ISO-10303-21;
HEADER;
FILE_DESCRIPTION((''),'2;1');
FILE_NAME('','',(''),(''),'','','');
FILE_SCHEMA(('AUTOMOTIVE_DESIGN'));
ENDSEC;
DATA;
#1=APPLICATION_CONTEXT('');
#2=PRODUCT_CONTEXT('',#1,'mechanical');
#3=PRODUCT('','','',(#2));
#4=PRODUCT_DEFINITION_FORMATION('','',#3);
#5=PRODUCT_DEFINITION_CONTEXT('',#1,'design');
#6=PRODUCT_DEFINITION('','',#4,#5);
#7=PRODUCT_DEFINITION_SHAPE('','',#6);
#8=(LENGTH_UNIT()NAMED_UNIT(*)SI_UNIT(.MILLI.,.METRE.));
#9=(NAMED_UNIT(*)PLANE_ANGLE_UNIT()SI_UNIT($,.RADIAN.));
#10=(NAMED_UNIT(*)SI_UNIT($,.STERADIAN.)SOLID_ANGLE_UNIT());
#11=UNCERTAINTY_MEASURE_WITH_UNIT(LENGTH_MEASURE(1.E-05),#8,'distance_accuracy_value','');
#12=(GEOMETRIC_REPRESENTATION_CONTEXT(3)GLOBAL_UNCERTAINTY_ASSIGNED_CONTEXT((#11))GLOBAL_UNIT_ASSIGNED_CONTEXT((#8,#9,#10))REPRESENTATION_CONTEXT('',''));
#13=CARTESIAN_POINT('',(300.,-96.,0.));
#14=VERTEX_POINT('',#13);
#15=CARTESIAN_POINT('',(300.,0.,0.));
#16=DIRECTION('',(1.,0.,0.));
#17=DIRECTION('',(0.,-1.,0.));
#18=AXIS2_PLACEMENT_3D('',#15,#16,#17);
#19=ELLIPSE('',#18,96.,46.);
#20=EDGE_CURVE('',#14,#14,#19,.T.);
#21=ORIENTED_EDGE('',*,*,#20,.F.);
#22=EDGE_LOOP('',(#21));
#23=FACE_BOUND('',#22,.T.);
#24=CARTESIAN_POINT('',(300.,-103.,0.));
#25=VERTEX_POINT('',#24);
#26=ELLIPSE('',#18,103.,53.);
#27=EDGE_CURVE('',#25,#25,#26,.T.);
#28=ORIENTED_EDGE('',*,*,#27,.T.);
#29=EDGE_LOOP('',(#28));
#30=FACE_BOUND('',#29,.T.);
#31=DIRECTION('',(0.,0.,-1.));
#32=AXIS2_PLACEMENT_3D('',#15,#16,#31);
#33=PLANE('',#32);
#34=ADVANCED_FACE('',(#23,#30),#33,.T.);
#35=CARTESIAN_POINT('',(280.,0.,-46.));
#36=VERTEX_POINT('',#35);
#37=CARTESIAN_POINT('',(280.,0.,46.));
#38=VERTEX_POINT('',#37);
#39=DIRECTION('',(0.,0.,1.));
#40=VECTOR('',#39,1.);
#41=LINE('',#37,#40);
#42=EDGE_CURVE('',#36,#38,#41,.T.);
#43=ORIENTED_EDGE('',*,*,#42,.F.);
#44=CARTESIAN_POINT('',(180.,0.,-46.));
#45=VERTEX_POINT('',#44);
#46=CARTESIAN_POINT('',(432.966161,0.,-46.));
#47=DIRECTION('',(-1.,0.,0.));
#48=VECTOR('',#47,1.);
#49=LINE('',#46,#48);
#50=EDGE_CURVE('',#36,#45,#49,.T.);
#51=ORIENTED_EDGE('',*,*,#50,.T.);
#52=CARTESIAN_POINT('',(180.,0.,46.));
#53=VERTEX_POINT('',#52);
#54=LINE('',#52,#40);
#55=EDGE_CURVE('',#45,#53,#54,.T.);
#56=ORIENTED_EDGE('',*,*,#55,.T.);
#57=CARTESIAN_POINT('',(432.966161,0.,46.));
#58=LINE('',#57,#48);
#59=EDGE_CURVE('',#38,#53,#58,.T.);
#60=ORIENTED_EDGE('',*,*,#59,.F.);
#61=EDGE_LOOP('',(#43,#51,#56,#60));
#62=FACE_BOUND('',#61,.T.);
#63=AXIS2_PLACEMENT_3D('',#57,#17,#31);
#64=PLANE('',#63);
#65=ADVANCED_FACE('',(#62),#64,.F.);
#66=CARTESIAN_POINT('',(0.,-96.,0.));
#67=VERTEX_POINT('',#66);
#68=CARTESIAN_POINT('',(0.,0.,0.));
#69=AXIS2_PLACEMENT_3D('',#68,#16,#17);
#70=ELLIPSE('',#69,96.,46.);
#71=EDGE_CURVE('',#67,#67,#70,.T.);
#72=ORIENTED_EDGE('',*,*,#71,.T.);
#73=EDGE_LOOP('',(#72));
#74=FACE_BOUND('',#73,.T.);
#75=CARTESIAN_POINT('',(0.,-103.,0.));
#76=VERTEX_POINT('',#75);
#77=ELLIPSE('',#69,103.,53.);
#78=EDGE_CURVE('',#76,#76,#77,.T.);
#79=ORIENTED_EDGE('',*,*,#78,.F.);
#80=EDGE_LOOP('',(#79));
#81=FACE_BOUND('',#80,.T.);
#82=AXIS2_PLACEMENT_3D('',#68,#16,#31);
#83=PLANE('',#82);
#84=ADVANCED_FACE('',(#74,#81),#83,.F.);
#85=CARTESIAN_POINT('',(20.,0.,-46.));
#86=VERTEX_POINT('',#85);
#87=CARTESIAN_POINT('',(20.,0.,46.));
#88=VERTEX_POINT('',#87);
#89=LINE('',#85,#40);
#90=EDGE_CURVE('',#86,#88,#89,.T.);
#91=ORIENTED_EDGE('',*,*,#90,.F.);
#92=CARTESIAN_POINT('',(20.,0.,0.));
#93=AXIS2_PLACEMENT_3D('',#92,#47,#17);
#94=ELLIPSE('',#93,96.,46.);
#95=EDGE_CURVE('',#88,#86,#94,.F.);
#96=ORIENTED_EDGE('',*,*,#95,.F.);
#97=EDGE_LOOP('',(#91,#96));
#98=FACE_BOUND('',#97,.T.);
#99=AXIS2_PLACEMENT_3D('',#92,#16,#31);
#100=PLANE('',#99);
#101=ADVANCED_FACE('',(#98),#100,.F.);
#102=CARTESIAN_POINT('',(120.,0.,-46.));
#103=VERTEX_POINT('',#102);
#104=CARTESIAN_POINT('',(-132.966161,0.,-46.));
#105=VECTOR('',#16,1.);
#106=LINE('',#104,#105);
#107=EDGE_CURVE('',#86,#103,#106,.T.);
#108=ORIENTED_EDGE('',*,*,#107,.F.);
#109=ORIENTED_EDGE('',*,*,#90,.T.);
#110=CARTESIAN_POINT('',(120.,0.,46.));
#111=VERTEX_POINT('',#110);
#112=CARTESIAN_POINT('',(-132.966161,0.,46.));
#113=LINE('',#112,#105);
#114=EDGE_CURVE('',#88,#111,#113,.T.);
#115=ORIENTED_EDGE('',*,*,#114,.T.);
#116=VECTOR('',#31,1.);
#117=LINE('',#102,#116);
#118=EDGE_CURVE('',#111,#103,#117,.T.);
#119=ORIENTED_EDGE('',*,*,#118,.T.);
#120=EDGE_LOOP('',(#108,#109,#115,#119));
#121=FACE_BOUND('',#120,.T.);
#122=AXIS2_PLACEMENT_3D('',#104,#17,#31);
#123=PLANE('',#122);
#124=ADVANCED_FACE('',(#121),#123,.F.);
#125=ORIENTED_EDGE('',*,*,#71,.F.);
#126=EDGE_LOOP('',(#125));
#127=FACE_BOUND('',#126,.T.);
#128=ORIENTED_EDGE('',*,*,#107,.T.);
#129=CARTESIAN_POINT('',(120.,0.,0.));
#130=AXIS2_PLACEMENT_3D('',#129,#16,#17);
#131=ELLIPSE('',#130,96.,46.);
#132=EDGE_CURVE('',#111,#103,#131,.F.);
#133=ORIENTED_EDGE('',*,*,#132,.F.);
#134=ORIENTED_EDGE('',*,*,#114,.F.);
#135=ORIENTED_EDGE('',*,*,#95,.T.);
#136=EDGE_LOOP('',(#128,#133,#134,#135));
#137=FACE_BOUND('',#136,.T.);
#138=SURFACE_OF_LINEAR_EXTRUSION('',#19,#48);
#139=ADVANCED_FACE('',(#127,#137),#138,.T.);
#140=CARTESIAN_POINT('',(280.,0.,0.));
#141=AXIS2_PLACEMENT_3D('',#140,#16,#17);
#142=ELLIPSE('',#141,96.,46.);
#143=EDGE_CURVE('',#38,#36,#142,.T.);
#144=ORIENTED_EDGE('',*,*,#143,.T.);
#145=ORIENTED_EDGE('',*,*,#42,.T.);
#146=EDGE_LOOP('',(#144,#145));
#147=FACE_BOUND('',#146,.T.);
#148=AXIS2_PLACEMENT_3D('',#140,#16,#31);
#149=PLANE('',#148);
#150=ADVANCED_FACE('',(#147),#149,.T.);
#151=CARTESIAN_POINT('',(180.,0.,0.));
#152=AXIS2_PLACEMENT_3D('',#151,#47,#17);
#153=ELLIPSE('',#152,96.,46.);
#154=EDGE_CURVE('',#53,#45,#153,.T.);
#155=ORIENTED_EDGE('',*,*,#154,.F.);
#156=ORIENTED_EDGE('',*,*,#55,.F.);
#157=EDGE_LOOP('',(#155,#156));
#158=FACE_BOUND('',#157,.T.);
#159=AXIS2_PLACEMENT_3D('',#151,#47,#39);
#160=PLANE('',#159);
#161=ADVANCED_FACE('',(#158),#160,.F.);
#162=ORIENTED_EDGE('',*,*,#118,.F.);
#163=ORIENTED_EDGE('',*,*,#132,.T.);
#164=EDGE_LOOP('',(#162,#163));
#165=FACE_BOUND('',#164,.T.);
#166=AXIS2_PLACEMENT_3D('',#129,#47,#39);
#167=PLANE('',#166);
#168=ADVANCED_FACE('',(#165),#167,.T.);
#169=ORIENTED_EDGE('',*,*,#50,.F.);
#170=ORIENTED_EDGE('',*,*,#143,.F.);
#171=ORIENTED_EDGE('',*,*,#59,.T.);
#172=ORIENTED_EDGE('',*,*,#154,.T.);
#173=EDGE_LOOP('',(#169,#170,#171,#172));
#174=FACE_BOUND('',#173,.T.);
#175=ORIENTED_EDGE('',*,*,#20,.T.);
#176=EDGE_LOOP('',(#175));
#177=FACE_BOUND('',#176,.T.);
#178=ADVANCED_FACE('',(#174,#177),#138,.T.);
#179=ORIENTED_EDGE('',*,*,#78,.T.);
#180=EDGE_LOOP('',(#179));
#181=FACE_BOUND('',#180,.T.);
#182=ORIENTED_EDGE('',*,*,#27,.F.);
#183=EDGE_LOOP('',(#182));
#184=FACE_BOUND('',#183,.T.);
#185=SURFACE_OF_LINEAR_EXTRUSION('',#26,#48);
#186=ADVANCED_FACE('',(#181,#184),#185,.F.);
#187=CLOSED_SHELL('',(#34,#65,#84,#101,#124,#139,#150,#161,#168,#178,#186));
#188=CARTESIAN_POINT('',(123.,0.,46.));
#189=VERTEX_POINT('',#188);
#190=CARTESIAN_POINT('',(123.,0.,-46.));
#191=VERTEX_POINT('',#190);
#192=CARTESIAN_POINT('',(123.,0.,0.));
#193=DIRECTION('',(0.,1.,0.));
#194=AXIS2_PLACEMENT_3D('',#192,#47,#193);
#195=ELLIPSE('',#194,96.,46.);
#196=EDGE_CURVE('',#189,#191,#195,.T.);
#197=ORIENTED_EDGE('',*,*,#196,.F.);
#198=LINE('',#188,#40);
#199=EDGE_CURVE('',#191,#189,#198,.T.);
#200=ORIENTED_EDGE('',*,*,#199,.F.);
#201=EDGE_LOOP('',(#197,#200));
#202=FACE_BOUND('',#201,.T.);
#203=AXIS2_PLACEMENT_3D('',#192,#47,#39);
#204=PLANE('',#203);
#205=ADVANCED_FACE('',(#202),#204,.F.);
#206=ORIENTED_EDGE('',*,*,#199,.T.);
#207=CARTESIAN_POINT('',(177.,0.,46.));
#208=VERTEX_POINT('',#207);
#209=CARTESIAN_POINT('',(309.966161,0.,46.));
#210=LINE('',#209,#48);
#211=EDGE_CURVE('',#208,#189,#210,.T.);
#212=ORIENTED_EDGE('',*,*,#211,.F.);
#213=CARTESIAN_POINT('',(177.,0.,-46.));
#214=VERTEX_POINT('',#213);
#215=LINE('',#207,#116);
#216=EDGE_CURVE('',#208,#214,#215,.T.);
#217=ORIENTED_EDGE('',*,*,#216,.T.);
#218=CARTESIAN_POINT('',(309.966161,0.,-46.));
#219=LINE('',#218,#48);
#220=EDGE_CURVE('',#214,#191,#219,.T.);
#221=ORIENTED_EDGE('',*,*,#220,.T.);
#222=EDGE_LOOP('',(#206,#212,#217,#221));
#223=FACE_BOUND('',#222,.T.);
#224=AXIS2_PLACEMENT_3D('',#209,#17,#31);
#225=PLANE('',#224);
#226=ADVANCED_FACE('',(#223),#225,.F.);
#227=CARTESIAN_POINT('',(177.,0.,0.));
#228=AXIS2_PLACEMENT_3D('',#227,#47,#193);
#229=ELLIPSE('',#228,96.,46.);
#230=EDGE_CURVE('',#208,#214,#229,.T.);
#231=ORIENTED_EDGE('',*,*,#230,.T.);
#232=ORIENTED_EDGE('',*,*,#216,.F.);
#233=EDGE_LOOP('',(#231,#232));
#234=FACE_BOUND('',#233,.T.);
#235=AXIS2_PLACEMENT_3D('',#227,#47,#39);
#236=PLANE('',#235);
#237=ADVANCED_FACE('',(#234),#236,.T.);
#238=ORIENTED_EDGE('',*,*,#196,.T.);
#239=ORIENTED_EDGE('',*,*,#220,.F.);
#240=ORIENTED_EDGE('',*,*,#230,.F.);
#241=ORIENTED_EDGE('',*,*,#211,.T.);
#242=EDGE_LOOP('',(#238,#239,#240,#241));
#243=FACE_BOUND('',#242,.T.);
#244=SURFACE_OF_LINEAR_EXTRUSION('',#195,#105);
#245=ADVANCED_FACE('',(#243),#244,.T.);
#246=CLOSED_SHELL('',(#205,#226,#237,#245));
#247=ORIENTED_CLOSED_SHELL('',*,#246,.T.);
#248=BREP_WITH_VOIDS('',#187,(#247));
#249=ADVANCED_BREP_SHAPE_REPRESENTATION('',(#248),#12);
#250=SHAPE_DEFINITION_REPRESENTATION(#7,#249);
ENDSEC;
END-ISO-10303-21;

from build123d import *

# Parameters (mm, degrees)
SKETCH_1_RX              = 103
SKETCH_1_RY              = 53
SKETCH_1_RX_2            = 96
SKETCH_1_RY_2            = 46
EXTRUDE_1_DEPTH          = 300
SKETCH_2_RX              = 96
SKETCH_2_RY              = 46
EXTRUDE_2_DEPTH          = 30
EXTRUDE_2_DEPTH_BACK     = 30
SKETCH_3_RX              = 96
SKETCH_3_RY              = 46
CUT_EXTRUDE_1_DEPTH      = 27
CUT_EXTRUDE_1_DEPTH_BACK = 27
EXTRUDE_3_DEPTH          = 100
EXTRUDE_4_DEPTH          = 100
EXTRUDE_5_REACH          = 179


with BuildPart() as part:
    # Эскиз1 → Бобышка-Вытянуть1 (new body)
    with BuildSketch(Plane(origin=(0, 0, 0), x_dir=(0, 0, -1), z_dir=(1, 0, 0))):
        with Locations(Location((0, 0), (0, 0, -90))):
            Ellipse(SKETCH_1_RX, SKETCH_1_RY)
        with Locations(Location((0, 0), (0, 0, -90))):
            Ellipse(SKETCH_1_RX_2, SKETCH_1_RY_2, mode=Mode.SUBTRACT)
    extrude(amount=EXTRUDE_1_DEPTH)

    # Эскиз2 → Бобышка-Вытянуть2 (add, two sides)
    with BuildSketch(Plane.ZY.offset(-150)) as extrude_2_sk:
        with Locations(Location((0, 0), (0, 0, -90))):
            Ellipse(SKETCH_2_RX, SKETCH_2_RY)
    extrude(amount=EXTRUDE_2_DEPTH)
    extrude(extrude_2_sk.sketch, amount=-EXTRUDE_2_DEPTH_BACK)

    # Эскиз3 → Вырез-Вытянуть1 (cut, two sides)
    with BuildSketch(Plane.ZY.offset(-150)) as cut_extrude_1_sk:
        with Locations(Location((0, 0), (0, 0, 90))):
            Ellipse(SKETCH_3_RX, SKETCH_3_RY)
    extrude(amount=CUT_EXTRUDE_1_DEPTH, mode=Mode.SUBTRACT)
    extrude(cut_extrude_1_sk.sketch, amount=-CUT_EXTRUDE_1_DEPTH_BACK, mode=Mode.SUBTRACT)

    # Эскиз4 → Бобышка-Вытянуть3 (add)
    with BuildSketch(Plane.ZY.offset(-120)):
        with BuildLine():
            Line((-46, 0), (46, 0))
            add(Edge.make_bspline(
                [(-46, 0), (-46, -96), (0, -96), (46, -96), (46, 0)],
                knots=[4.71238898, 4.71238898, 4.71238898, 6.283185307, 6.283185307, 7.853981634, 7.853981634, 7.853981634], degree=2, weights=[1, 0.707106781, 1, 0.707106781, 1]))
        make_face()
    extrude(amount=EXTRUDE_3_DEPTH)

    # Эскиз5 → Бобышка-Вытянуть4 (add)
    with BuildSketch(Plane(origin=(180, 0, 0), x_dir=(0, 0, -1), z_dir=(1, 0, 0))):
        with BuildLine():
            Line((-46, 0), (46, 0))
            add(Edge.make_bspline(
                [(-46, 0), (-46, -96), (0, -96), (46, -96), (46, 0)],
                knots=[4.71238898, 4.71238898, 4.71238898, 6.283185307, 6.283185307, 7.853981634, 7.853981634, 7.853981634], degree=2, weights=[1, 0.707106781, 1, 0.707106781, 1]))
        make_face()
    extrude(amount=EXTRUDE_4_DEPTH)

    # Эскиз6 → Бобышка-Вытянуть5 (add, up to next)
    with BuildSketch(Plane(origin=(123, 0, 0), x_dir=(0, 0, -1), z_dir=(1, 0, 0)), mode=Mode.PRIVATE) as extrude_5_sk1:
        with BuildLine():
            Line((-46, 0), (46, 0))
            add(Edge.make_bspline(
                [(-46, 0), (-46, -96), (0, -96), (46, -96), (46, 0)],
                knots=[4.71238898, 4.71238898, 4.71238898, 6.283185307, 6.283185307, 7.853981634, 7.853981634, 7.853981634], degree=2, weights=[1, 0.707106781, 1, 0.707106781, 1]))
        make_face()
    extrude_5_tool1 = extrude(extrude_5_sk1.sketch, amount=EXTRUDE_5_REACH, mode=Mode.PRIVATE) - part.part
    add(extrude_5_tool1.solids().sort_by_distance((123, -40.735468, 0))[0])


solid = part.part
